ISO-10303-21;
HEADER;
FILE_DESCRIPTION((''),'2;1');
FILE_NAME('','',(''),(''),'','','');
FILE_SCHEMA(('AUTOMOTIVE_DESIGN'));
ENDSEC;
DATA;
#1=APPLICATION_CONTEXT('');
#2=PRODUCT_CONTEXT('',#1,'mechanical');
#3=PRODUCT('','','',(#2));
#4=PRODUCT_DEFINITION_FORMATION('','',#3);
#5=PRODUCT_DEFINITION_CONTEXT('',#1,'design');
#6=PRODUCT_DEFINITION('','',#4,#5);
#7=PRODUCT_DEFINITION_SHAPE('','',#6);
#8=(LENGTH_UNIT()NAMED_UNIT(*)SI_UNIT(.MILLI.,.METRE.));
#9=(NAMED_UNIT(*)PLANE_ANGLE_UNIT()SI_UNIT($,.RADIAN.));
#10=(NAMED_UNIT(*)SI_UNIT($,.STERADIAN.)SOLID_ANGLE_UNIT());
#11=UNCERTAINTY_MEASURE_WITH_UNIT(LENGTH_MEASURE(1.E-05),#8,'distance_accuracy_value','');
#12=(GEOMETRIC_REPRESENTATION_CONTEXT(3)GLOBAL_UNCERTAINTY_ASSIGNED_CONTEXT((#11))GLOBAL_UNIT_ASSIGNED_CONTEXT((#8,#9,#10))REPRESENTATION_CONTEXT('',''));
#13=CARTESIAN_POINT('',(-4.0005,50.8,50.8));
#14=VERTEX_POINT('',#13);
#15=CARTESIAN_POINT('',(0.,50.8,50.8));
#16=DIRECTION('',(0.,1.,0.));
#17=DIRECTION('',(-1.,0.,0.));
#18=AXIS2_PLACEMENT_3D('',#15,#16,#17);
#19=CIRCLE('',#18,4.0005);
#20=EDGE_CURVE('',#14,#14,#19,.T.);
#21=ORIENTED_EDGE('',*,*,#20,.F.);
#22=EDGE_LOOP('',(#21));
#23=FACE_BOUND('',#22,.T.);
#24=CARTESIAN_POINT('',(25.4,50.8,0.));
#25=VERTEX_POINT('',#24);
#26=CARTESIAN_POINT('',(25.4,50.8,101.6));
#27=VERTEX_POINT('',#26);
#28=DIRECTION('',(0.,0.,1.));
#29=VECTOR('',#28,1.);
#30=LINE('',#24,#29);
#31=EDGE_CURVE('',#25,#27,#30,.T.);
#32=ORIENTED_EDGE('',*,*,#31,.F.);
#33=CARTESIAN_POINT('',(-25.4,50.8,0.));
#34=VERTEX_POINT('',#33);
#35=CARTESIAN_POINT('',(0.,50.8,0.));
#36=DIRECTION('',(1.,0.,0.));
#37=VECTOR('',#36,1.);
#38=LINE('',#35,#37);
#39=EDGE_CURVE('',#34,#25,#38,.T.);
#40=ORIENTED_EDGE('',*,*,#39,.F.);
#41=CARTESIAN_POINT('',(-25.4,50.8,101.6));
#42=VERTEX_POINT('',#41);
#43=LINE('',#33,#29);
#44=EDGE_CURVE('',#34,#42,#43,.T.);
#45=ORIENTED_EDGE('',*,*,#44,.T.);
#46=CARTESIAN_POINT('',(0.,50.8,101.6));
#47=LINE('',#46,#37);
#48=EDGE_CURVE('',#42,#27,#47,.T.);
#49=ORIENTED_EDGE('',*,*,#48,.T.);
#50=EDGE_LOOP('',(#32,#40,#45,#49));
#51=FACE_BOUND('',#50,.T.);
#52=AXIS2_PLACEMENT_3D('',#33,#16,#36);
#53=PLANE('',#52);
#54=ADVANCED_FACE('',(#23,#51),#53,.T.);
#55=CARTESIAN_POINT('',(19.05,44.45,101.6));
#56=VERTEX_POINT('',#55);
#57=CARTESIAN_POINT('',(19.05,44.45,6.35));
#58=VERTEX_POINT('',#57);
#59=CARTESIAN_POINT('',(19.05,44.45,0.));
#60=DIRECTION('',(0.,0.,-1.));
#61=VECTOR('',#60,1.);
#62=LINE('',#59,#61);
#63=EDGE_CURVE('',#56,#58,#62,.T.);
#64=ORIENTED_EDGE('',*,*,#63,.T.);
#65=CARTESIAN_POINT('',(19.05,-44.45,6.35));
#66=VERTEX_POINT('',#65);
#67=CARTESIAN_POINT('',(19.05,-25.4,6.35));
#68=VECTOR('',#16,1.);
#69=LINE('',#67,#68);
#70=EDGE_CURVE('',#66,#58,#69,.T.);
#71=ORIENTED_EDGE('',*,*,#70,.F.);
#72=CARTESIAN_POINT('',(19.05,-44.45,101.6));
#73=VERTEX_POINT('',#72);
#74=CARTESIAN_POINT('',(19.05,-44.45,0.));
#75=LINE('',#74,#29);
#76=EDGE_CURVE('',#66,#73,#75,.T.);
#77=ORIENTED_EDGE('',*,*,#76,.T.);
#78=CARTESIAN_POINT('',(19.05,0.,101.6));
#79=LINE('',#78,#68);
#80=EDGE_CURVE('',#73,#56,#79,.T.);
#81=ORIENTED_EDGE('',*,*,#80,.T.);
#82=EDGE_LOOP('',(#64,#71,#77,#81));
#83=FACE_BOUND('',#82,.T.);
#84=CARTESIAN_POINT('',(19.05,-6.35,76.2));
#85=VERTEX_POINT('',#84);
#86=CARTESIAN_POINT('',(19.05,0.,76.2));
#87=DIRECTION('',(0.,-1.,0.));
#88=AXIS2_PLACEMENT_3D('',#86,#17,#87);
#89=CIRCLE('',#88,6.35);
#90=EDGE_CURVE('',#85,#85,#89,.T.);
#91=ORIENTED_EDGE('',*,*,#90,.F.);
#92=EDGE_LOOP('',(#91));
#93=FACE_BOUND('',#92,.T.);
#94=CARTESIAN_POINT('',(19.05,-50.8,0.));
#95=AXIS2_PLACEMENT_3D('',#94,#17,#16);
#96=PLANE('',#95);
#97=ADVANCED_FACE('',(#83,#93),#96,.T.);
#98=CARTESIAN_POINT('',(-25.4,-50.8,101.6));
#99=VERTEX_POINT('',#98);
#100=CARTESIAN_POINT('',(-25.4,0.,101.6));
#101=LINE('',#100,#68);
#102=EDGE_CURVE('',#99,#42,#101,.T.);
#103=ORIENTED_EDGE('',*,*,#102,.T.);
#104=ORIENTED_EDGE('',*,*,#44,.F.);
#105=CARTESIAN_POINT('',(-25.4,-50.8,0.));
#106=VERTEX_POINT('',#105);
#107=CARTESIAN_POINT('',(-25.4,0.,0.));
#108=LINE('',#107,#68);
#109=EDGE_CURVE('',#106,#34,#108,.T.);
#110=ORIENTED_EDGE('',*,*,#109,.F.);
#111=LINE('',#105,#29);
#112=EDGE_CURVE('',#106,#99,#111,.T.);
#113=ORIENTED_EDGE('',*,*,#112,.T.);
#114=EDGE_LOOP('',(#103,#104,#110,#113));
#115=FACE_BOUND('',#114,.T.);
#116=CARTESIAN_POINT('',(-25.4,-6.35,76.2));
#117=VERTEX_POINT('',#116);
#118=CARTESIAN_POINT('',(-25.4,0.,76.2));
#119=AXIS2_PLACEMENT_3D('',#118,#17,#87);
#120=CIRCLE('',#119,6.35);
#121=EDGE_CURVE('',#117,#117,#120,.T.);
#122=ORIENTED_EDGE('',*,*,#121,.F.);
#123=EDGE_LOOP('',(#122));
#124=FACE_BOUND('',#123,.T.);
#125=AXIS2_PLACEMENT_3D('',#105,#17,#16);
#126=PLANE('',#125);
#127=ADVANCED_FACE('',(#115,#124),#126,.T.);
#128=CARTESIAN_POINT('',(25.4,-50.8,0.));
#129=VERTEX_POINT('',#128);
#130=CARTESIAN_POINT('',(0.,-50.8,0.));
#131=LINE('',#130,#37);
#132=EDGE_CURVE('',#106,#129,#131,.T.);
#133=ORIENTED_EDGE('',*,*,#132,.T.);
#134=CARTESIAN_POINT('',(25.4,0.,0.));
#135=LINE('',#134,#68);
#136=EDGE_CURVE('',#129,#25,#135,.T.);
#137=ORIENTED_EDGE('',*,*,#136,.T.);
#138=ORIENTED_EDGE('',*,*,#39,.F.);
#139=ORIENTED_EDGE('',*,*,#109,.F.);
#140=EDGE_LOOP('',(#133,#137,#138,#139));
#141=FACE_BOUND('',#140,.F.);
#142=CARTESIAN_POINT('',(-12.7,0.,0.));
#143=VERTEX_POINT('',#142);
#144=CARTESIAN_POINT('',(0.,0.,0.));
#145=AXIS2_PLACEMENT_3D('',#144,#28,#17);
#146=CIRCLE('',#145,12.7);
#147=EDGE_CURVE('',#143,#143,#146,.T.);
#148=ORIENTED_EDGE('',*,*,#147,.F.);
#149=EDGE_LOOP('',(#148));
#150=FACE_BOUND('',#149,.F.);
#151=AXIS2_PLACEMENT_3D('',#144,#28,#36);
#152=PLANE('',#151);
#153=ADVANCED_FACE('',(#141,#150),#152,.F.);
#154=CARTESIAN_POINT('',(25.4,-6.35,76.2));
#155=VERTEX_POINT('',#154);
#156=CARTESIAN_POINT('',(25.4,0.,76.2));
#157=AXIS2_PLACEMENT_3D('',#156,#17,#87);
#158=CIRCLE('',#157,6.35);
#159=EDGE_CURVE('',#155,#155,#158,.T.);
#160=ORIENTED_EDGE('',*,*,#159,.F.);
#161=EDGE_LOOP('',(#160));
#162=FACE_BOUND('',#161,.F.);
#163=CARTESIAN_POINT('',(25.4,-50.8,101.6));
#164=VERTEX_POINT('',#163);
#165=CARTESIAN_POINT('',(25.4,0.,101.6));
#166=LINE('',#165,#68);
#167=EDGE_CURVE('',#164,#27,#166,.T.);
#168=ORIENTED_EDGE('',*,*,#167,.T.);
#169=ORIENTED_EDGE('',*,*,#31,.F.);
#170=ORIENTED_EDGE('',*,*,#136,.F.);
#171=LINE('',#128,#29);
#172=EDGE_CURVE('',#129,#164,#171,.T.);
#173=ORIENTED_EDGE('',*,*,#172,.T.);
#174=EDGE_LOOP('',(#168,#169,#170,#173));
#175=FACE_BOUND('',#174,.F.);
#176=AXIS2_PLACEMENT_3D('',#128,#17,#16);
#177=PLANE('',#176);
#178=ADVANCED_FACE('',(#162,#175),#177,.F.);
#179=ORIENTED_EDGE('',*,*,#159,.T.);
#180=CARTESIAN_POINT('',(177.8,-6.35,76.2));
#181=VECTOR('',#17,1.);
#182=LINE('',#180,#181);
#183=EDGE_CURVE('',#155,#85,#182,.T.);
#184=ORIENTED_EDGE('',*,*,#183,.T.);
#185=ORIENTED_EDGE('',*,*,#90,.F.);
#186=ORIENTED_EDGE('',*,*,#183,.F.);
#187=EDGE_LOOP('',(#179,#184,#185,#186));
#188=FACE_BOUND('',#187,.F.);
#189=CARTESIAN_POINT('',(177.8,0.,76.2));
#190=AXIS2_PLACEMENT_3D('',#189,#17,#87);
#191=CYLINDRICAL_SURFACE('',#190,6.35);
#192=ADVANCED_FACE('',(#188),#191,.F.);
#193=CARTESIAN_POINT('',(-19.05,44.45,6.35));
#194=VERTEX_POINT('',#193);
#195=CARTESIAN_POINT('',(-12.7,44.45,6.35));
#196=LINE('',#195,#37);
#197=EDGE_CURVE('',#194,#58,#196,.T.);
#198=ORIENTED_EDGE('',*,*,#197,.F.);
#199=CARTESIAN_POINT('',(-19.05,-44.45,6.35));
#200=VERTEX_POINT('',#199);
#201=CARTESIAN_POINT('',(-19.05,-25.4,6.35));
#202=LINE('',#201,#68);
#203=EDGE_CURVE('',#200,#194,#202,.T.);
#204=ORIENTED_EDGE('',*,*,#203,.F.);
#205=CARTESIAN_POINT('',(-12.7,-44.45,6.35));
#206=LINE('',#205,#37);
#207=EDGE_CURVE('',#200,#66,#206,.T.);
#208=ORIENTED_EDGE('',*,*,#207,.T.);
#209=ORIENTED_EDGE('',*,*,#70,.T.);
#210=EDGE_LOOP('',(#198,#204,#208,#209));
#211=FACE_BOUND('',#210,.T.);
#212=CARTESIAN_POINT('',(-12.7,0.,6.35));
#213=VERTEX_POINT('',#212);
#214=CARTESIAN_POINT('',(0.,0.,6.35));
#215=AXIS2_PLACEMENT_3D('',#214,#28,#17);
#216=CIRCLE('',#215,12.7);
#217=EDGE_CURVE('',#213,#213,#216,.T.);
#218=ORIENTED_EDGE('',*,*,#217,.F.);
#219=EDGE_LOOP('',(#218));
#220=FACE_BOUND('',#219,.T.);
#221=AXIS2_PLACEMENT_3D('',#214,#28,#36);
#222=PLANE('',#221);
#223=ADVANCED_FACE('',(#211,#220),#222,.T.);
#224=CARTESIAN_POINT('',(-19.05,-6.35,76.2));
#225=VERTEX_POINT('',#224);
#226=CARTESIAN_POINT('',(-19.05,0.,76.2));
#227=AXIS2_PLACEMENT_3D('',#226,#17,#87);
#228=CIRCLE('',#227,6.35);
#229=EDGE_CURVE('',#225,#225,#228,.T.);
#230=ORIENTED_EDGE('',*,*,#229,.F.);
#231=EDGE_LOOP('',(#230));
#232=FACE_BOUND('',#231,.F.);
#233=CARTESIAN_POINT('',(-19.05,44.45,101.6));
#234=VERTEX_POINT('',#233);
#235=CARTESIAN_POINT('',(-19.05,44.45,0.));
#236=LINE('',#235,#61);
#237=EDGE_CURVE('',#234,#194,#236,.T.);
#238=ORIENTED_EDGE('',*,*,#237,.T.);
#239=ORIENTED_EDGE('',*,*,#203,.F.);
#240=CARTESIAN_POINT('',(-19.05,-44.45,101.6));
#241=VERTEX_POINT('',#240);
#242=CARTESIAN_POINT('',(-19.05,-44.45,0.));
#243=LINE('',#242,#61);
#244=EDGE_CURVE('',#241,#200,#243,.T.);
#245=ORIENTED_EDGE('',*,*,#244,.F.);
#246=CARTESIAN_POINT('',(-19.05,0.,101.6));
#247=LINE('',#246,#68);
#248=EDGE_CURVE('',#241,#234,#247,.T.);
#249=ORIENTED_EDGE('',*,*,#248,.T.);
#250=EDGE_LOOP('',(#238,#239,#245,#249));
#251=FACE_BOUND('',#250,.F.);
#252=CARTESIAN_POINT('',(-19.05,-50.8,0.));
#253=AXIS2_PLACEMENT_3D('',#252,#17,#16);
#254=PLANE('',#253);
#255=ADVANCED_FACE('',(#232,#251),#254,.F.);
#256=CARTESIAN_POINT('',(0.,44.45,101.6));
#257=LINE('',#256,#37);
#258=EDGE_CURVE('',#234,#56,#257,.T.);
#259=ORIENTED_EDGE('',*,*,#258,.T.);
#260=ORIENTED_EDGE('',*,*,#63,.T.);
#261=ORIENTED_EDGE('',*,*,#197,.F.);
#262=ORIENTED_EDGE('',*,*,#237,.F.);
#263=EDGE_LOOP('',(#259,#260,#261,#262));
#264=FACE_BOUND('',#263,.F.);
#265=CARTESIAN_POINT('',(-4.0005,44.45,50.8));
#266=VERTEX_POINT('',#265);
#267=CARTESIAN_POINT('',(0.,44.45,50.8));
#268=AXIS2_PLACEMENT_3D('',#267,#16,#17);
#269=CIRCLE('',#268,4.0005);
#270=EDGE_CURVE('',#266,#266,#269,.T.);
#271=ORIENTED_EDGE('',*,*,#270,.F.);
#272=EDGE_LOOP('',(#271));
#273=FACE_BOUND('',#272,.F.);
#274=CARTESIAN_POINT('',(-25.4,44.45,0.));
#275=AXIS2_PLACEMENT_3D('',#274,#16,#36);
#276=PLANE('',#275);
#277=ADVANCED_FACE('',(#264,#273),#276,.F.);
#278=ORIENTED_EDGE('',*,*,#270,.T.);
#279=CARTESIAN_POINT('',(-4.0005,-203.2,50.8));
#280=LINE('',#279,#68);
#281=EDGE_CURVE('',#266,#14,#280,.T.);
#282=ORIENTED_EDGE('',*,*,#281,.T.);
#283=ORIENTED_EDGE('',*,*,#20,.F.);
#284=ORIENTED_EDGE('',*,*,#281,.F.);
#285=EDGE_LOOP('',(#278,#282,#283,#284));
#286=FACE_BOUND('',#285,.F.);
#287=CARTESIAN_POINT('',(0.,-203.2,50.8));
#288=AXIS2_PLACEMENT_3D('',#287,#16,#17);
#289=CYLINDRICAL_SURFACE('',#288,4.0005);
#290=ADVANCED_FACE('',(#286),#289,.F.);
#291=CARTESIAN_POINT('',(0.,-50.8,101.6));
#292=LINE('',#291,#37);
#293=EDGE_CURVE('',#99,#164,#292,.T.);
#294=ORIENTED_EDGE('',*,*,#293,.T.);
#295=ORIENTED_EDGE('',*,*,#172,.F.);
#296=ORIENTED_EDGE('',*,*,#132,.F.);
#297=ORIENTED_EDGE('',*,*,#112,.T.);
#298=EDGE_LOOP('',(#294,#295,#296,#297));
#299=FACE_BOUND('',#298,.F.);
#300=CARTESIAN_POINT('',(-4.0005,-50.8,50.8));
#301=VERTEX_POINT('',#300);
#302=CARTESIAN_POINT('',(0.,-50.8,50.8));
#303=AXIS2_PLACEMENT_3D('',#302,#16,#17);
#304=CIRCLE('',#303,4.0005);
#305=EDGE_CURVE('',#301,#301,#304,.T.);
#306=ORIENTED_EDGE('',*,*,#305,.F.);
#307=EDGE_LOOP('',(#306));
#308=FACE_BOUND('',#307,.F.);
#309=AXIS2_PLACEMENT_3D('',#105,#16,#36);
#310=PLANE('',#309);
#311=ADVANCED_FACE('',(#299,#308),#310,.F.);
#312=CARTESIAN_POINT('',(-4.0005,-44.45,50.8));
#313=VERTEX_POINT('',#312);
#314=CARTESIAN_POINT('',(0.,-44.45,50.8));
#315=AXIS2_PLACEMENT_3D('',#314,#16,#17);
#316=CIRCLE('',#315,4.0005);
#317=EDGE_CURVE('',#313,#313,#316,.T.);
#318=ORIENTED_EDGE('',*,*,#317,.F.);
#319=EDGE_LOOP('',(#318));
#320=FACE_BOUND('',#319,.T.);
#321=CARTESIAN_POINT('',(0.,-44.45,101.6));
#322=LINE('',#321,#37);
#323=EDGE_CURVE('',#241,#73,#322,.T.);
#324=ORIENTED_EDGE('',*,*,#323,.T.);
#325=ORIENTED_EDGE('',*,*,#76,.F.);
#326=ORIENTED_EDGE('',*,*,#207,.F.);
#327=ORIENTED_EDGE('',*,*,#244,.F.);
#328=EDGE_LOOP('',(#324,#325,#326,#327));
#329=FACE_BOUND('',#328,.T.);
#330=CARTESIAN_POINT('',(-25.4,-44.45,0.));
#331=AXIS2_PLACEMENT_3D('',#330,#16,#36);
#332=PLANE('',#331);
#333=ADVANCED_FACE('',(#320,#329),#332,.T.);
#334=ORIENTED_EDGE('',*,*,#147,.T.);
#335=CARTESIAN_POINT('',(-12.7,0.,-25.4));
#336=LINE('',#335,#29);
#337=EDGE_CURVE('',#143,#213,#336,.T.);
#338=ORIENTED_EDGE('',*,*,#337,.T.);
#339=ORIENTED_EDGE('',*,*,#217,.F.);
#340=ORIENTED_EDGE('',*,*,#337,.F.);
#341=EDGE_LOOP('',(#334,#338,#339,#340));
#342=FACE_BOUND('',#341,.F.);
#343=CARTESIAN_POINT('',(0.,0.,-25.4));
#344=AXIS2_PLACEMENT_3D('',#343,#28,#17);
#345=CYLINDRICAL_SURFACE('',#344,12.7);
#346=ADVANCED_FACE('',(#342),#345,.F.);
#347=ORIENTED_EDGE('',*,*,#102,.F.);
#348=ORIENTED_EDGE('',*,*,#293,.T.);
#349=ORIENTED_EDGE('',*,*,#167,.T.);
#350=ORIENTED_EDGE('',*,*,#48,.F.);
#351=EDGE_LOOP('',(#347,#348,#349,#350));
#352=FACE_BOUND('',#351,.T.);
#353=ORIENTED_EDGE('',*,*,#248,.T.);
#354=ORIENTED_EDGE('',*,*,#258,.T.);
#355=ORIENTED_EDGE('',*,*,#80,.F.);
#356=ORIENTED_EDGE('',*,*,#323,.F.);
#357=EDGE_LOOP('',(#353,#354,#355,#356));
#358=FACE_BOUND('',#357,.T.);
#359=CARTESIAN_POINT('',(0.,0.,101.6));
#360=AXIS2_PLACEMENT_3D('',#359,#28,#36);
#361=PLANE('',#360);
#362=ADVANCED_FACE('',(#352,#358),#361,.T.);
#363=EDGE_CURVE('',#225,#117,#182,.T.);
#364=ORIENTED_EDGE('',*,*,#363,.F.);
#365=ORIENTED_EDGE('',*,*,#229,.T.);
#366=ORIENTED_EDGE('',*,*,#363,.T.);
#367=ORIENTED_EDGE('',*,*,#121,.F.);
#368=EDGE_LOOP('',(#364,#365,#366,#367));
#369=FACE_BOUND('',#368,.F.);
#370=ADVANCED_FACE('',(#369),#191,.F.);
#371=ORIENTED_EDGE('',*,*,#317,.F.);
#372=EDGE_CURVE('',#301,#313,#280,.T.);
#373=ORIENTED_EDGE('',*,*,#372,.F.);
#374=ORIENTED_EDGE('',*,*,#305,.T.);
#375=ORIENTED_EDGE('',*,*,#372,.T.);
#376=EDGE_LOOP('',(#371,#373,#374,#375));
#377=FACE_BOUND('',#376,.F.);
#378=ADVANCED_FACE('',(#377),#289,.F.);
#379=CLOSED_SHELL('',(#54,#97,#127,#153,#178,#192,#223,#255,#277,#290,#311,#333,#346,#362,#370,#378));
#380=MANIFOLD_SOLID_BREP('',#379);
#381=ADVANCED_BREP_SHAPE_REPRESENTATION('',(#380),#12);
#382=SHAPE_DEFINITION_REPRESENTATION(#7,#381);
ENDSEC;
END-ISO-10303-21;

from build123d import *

# Parameters (mm, degrees)
F0_W     = 50.8
F0_H     = 101.6
F1_DEPTH = 101.6
F2_T     = -6.35
F4_D     = 12.7
F6_D     = 25.4
F6_DEPTH = 25.4
F8_D     = 8.001


with BuildPart() as f1:
    # F0 (on Top) → F1 (new body)
    with BuildSketch(Plane.XY):
        Rectangle(F0_W, F0_H)
    extrude(amount=F1_DEPTH)

    # F2
    f2_openings = [f1.faces().sort_by_distance(p)[0] for p in [
        (0, 0, 101.6),
    ]]
    offset(amount=F2_T, openings=f2_openings)

    # F4 (through all)
    with Locations(Plane.YZ.offset(25.4)):
        with Locations((0, 76.2)):
            Hole(F4_D / 2)

    # F6
    with Locations(Plane(origin=(0, 0, 0), x_dir=(1, 0, 0), z_dir=(0, 0, -1))):
        with Locations((0, 0)):
            Hole(F6_D / 2, depth=F6_DEPTH)

    # F8 (through all)
    with Locations(Plane.XZ.offset(50.8)):
        with Locations((0, 50.8)):
            Hole(F8_D / 2)


solid = f1.part
